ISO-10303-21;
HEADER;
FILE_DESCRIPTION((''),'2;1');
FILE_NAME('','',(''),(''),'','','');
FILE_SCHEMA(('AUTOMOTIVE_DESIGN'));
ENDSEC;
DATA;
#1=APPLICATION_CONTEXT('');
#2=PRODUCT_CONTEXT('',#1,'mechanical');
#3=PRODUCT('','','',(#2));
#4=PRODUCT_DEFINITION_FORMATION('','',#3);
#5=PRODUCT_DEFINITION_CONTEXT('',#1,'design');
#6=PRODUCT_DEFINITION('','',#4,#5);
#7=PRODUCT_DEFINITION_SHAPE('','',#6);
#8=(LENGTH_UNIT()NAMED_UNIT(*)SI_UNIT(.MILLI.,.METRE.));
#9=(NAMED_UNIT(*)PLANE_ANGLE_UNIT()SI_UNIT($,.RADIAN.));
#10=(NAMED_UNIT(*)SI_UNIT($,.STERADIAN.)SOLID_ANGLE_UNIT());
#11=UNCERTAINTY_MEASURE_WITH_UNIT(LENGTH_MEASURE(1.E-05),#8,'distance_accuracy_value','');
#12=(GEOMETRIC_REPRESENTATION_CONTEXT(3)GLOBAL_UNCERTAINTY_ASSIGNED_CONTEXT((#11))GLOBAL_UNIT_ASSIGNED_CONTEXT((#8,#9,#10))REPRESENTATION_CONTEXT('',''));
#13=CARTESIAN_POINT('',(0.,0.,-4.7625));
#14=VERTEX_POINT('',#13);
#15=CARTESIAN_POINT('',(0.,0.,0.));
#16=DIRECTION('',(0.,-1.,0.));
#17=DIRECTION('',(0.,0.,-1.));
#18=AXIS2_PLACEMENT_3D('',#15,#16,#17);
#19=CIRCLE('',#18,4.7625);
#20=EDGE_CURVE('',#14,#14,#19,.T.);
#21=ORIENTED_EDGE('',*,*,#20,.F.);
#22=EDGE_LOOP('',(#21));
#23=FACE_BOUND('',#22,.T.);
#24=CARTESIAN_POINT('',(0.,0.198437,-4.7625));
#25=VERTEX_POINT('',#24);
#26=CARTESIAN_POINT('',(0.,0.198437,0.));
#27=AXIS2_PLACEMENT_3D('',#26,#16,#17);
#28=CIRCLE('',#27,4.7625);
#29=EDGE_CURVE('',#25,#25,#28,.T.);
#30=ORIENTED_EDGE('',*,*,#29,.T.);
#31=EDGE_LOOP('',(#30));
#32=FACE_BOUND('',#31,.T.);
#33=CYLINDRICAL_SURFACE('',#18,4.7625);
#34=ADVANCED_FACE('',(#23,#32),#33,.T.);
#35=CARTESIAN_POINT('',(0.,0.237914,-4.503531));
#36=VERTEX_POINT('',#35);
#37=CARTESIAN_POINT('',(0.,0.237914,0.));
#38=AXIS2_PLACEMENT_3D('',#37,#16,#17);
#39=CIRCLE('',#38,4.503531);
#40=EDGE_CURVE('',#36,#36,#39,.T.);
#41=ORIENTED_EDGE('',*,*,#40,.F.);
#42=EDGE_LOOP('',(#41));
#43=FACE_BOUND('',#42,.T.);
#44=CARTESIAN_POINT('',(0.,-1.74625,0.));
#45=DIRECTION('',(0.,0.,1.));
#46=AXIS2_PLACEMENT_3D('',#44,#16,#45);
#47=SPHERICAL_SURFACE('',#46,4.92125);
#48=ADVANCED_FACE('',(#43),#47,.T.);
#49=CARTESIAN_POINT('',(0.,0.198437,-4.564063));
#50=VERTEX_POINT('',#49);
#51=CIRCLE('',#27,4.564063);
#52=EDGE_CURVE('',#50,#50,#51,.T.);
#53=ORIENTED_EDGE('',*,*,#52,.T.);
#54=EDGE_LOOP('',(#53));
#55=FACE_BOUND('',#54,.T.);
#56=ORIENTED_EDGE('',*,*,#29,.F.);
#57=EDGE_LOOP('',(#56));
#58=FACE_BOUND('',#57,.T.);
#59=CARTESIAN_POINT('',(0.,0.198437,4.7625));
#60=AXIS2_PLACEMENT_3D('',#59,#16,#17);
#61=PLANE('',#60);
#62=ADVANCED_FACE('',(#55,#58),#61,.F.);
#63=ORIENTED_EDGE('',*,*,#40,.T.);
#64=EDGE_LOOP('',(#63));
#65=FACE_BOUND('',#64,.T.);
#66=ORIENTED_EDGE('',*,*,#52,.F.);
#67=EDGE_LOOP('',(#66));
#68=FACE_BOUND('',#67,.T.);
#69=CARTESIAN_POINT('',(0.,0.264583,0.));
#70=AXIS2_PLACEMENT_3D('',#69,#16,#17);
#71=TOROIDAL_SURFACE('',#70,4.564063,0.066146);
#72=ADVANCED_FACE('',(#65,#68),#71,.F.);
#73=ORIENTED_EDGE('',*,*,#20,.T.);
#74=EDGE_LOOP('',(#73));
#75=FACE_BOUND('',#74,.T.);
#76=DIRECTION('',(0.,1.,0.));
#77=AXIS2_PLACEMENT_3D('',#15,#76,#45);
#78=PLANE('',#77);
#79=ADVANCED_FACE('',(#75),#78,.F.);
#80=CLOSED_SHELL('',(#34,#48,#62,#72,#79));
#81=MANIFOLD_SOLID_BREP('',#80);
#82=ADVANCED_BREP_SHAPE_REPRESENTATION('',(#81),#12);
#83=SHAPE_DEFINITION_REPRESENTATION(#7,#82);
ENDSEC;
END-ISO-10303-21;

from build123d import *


with BuildPart() as part:
    # Sketch2 → Revolve1 (revolve)
    with BuildSketch(Plane(origin=(0, 0, 0), x_dir=(0, 0, -1), z_dir=(1, 0, 0))):
        with BuildLine():
            Line((-4.7625, 0), (-4.7625, 0.1984375))
            Line((-4.7625, 0.1984375), (-4.5640625, 0.1984375))
            ThreePointArc((-4.5640625, 0.1984375), (-4.527929162, 0.209178882), (-4.503531167, 0.237914456))
            ThreePointArc((-4.503531167, 0.237914456), (-2.688320315, 2.37584115), (0, 3.175))
            Line((0, 3.175), (0, 0))
            Line((0, 0), (-4.7625, 0))
        make_face()
    revolve(axis=Axis((0, 0, 0), (0, 1, 0)))


solid = part.part
